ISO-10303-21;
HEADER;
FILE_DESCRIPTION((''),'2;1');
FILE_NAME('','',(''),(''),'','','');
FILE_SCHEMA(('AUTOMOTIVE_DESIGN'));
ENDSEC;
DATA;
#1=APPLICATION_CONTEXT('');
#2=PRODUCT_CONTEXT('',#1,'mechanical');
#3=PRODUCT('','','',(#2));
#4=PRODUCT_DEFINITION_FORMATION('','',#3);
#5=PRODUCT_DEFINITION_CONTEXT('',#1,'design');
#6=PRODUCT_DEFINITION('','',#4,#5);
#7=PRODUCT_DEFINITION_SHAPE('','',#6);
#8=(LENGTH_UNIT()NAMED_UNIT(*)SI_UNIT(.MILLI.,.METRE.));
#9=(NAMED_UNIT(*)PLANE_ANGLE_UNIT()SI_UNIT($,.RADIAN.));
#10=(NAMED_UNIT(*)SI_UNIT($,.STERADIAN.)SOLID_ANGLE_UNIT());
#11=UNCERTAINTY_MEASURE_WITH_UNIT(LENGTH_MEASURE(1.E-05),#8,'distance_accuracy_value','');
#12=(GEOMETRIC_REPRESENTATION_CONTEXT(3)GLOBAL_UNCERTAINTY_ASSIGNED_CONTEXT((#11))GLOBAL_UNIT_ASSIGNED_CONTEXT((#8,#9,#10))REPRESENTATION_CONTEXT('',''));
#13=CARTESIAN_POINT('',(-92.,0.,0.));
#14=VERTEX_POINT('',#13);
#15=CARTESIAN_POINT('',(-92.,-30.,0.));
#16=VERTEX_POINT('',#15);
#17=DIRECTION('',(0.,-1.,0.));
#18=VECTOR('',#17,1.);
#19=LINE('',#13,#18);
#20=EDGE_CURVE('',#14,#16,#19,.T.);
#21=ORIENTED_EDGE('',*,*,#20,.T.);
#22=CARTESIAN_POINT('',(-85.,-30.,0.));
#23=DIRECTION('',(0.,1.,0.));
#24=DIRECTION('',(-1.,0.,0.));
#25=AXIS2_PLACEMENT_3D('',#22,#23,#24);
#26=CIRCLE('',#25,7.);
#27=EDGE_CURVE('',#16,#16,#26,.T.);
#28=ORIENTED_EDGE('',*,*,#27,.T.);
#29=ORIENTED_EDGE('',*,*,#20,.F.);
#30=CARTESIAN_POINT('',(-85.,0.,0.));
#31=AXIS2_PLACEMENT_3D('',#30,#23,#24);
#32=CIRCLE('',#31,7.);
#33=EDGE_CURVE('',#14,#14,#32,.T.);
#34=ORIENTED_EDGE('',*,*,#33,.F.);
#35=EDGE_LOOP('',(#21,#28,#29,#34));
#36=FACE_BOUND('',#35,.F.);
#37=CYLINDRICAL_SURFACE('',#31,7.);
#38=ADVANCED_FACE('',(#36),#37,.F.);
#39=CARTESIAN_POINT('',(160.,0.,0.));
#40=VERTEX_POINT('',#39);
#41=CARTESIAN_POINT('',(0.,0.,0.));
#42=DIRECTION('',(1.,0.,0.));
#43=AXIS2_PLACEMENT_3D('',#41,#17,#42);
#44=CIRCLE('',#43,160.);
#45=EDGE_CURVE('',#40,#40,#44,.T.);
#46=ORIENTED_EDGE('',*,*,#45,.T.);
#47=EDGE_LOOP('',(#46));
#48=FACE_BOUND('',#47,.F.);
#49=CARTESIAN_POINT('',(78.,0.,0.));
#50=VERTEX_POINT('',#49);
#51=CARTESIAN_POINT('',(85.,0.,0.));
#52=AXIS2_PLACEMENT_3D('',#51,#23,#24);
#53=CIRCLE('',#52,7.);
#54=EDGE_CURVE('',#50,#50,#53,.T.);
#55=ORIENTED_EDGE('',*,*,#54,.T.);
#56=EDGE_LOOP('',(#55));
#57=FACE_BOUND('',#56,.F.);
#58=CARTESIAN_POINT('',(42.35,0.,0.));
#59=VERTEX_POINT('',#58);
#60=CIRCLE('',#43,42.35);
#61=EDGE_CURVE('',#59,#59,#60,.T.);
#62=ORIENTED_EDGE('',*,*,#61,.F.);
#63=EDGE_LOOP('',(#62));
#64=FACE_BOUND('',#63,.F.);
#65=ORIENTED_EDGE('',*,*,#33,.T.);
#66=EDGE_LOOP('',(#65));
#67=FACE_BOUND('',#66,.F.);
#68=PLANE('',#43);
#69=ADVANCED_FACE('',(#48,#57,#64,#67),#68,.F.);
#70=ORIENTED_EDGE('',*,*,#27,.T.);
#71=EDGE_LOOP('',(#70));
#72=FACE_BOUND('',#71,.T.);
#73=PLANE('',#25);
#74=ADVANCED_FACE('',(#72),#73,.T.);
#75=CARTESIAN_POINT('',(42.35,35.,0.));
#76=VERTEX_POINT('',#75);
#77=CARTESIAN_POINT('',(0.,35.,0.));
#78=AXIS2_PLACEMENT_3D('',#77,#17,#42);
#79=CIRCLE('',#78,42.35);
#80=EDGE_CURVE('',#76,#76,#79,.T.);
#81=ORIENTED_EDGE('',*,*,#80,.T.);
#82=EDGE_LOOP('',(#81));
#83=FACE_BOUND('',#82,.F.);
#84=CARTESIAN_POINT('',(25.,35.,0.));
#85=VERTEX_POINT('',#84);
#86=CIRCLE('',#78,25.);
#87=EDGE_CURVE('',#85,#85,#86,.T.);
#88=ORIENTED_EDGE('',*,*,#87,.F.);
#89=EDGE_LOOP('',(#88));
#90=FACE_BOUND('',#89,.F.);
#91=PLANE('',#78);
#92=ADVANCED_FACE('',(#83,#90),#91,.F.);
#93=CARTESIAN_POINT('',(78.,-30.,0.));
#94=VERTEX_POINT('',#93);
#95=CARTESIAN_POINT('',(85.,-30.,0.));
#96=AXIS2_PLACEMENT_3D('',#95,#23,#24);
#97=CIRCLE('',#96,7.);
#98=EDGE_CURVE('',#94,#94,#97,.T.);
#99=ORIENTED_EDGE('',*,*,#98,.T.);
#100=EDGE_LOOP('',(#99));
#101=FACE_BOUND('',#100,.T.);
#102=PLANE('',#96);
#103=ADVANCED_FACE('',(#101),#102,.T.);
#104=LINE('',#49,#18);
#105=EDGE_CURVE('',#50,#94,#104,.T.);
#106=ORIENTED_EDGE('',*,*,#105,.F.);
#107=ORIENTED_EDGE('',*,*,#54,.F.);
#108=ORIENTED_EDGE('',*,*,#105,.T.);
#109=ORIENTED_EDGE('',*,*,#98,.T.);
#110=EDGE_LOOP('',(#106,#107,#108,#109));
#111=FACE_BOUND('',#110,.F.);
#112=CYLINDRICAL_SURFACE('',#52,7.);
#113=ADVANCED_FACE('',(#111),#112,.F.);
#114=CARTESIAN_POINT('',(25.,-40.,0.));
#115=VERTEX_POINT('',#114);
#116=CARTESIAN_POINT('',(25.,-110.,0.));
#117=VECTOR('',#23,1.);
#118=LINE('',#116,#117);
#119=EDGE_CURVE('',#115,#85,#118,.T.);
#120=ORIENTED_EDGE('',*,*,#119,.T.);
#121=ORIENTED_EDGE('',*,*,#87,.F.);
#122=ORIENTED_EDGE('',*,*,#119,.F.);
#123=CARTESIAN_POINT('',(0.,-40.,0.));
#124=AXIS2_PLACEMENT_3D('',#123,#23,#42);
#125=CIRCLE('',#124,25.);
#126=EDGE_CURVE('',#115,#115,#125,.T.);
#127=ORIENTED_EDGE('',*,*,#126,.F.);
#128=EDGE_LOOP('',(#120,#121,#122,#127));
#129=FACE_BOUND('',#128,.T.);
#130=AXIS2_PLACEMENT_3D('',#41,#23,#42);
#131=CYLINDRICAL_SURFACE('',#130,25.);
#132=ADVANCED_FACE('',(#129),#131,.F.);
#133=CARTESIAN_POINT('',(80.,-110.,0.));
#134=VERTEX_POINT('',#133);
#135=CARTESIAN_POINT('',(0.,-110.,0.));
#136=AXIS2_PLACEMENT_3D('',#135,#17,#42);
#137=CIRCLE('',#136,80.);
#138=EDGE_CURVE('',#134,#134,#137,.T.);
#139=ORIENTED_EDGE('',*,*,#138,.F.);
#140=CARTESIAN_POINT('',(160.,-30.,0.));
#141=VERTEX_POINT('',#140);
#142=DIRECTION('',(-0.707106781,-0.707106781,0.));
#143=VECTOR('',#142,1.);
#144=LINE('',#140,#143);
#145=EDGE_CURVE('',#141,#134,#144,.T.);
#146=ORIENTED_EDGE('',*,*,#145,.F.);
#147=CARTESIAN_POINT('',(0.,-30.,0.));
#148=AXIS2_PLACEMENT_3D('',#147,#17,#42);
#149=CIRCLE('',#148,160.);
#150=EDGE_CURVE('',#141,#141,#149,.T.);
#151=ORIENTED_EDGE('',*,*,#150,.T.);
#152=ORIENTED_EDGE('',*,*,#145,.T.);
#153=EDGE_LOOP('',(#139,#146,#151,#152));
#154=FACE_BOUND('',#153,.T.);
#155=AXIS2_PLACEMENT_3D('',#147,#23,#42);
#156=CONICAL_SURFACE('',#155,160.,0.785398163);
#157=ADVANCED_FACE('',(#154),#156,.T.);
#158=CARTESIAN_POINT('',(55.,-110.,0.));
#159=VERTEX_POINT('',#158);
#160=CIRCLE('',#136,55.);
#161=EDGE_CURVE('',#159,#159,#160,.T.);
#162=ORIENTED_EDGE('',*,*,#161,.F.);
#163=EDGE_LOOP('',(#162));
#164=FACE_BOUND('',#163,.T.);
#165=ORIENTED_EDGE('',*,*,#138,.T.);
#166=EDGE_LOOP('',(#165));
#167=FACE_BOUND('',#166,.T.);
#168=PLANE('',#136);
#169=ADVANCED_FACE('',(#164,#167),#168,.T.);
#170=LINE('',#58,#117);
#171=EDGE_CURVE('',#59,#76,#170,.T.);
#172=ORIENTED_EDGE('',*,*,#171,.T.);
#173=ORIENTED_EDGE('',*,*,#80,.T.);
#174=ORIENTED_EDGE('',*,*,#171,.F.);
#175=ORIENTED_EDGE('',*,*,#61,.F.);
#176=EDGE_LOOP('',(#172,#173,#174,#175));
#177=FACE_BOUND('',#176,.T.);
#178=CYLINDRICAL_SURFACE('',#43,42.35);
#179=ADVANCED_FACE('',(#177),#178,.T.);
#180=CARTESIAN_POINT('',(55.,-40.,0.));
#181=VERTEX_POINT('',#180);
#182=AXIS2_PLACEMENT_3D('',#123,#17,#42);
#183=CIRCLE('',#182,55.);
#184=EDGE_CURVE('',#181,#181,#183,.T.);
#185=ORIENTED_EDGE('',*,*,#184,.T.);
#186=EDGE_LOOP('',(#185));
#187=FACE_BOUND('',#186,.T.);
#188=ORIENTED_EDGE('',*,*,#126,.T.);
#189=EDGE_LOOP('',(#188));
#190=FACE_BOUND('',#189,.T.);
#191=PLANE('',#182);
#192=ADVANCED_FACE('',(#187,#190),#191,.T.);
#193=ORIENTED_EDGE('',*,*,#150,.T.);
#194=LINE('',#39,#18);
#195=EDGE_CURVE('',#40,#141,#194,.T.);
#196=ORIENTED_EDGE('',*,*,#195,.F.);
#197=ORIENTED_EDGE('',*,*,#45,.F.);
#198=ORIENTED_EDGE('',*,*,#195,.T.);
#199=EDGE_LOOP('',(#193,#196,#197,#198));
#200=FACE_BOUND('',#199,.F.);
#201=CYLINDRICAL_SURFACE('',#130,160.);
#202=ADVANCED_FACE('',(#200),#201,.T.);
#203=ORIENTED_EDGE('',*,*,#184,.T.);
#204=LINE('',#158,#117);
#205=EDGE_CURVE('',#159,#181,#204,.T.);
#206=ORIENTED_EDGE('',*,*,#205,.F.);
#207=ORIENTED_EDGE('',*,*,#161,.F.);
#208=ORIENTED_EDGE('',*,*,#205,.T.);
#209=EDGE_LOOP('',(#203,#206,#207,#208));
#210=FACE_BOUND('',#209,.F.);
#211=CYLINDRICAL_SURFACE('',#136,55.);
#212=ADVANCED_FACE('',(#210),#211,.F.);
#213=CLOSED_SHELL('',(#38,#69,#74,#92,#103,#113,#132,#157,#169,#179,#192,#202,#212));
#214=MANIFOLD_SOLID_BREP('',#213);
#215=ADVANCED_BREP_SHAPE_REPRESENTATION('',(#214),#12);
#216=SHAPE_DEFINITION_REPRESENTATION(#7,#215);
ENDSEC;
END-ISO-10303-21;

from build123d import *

# Parameters (mm, degrees)
F0_R     = 160
F0_R_2   = 50
F0_R_3   = 42.35
F0_R_4   = 25
F1_DEPTH = 110
F2_DEPTH = 35
F3_SIZE  = 80
F4_R     = 55
F5_DEPTH = 70
F6_R     = 7
F7_DEPTH = 30


with BuildPart() as f1:
    # F0 (on Front) → F1 (new body)
    with BuildSketch(Plane.XZ):
        Circle(F0_R)
        Circle(F0_R_2, mode=Mode.SUBTRACT)
        Circle(F0_R_2)
        Circle(F0_R_3, mode=Mode.SUBTRACT)
        Circle(F0_R_3)
        Circle(F0_R_4, mode=Mode.SUBTRACT)
    extrude(amount=F1_DEPTH)

    # F0 (on Front) → F2 (join)
    with BuildSketch(Plane.XZ):
        Circle(F0_R_3)
        Circle(F0_R_4, mode=Mode.SUBTRACT)
    extrude(amount=-F2_DEPTH)

    # F3
    f3_edges = [f1.edges().sort_by_distance(p)[0] for p in [
        (-160, -110, 0),
    ]]
    chamfer(f3_edges, length=F3_SIZE)

    # F4 (on face) → F5 (cut)
    with BuildSketch(Plane.XZ.offset(110)):
        Circle(F4_R)
    extrude(amount=-F5_DEPTH, mode=Mode.SUBTRACT)

    # F6 (on face) → F7 (cut)
    with BuildSketch(Plane(origin=(0, 0, 0), x_dir=(-1, 0, 0), z_dir=(0, 1, 0))):
        with Locations((-85, 0)):
            Circle(F6_R)
        with Locations((85, 0)):
            Circle(F6_R)
    extrude(amount=-F7_DEPTH, mode=Mode.SUBTRACT)


solid = f1.part
